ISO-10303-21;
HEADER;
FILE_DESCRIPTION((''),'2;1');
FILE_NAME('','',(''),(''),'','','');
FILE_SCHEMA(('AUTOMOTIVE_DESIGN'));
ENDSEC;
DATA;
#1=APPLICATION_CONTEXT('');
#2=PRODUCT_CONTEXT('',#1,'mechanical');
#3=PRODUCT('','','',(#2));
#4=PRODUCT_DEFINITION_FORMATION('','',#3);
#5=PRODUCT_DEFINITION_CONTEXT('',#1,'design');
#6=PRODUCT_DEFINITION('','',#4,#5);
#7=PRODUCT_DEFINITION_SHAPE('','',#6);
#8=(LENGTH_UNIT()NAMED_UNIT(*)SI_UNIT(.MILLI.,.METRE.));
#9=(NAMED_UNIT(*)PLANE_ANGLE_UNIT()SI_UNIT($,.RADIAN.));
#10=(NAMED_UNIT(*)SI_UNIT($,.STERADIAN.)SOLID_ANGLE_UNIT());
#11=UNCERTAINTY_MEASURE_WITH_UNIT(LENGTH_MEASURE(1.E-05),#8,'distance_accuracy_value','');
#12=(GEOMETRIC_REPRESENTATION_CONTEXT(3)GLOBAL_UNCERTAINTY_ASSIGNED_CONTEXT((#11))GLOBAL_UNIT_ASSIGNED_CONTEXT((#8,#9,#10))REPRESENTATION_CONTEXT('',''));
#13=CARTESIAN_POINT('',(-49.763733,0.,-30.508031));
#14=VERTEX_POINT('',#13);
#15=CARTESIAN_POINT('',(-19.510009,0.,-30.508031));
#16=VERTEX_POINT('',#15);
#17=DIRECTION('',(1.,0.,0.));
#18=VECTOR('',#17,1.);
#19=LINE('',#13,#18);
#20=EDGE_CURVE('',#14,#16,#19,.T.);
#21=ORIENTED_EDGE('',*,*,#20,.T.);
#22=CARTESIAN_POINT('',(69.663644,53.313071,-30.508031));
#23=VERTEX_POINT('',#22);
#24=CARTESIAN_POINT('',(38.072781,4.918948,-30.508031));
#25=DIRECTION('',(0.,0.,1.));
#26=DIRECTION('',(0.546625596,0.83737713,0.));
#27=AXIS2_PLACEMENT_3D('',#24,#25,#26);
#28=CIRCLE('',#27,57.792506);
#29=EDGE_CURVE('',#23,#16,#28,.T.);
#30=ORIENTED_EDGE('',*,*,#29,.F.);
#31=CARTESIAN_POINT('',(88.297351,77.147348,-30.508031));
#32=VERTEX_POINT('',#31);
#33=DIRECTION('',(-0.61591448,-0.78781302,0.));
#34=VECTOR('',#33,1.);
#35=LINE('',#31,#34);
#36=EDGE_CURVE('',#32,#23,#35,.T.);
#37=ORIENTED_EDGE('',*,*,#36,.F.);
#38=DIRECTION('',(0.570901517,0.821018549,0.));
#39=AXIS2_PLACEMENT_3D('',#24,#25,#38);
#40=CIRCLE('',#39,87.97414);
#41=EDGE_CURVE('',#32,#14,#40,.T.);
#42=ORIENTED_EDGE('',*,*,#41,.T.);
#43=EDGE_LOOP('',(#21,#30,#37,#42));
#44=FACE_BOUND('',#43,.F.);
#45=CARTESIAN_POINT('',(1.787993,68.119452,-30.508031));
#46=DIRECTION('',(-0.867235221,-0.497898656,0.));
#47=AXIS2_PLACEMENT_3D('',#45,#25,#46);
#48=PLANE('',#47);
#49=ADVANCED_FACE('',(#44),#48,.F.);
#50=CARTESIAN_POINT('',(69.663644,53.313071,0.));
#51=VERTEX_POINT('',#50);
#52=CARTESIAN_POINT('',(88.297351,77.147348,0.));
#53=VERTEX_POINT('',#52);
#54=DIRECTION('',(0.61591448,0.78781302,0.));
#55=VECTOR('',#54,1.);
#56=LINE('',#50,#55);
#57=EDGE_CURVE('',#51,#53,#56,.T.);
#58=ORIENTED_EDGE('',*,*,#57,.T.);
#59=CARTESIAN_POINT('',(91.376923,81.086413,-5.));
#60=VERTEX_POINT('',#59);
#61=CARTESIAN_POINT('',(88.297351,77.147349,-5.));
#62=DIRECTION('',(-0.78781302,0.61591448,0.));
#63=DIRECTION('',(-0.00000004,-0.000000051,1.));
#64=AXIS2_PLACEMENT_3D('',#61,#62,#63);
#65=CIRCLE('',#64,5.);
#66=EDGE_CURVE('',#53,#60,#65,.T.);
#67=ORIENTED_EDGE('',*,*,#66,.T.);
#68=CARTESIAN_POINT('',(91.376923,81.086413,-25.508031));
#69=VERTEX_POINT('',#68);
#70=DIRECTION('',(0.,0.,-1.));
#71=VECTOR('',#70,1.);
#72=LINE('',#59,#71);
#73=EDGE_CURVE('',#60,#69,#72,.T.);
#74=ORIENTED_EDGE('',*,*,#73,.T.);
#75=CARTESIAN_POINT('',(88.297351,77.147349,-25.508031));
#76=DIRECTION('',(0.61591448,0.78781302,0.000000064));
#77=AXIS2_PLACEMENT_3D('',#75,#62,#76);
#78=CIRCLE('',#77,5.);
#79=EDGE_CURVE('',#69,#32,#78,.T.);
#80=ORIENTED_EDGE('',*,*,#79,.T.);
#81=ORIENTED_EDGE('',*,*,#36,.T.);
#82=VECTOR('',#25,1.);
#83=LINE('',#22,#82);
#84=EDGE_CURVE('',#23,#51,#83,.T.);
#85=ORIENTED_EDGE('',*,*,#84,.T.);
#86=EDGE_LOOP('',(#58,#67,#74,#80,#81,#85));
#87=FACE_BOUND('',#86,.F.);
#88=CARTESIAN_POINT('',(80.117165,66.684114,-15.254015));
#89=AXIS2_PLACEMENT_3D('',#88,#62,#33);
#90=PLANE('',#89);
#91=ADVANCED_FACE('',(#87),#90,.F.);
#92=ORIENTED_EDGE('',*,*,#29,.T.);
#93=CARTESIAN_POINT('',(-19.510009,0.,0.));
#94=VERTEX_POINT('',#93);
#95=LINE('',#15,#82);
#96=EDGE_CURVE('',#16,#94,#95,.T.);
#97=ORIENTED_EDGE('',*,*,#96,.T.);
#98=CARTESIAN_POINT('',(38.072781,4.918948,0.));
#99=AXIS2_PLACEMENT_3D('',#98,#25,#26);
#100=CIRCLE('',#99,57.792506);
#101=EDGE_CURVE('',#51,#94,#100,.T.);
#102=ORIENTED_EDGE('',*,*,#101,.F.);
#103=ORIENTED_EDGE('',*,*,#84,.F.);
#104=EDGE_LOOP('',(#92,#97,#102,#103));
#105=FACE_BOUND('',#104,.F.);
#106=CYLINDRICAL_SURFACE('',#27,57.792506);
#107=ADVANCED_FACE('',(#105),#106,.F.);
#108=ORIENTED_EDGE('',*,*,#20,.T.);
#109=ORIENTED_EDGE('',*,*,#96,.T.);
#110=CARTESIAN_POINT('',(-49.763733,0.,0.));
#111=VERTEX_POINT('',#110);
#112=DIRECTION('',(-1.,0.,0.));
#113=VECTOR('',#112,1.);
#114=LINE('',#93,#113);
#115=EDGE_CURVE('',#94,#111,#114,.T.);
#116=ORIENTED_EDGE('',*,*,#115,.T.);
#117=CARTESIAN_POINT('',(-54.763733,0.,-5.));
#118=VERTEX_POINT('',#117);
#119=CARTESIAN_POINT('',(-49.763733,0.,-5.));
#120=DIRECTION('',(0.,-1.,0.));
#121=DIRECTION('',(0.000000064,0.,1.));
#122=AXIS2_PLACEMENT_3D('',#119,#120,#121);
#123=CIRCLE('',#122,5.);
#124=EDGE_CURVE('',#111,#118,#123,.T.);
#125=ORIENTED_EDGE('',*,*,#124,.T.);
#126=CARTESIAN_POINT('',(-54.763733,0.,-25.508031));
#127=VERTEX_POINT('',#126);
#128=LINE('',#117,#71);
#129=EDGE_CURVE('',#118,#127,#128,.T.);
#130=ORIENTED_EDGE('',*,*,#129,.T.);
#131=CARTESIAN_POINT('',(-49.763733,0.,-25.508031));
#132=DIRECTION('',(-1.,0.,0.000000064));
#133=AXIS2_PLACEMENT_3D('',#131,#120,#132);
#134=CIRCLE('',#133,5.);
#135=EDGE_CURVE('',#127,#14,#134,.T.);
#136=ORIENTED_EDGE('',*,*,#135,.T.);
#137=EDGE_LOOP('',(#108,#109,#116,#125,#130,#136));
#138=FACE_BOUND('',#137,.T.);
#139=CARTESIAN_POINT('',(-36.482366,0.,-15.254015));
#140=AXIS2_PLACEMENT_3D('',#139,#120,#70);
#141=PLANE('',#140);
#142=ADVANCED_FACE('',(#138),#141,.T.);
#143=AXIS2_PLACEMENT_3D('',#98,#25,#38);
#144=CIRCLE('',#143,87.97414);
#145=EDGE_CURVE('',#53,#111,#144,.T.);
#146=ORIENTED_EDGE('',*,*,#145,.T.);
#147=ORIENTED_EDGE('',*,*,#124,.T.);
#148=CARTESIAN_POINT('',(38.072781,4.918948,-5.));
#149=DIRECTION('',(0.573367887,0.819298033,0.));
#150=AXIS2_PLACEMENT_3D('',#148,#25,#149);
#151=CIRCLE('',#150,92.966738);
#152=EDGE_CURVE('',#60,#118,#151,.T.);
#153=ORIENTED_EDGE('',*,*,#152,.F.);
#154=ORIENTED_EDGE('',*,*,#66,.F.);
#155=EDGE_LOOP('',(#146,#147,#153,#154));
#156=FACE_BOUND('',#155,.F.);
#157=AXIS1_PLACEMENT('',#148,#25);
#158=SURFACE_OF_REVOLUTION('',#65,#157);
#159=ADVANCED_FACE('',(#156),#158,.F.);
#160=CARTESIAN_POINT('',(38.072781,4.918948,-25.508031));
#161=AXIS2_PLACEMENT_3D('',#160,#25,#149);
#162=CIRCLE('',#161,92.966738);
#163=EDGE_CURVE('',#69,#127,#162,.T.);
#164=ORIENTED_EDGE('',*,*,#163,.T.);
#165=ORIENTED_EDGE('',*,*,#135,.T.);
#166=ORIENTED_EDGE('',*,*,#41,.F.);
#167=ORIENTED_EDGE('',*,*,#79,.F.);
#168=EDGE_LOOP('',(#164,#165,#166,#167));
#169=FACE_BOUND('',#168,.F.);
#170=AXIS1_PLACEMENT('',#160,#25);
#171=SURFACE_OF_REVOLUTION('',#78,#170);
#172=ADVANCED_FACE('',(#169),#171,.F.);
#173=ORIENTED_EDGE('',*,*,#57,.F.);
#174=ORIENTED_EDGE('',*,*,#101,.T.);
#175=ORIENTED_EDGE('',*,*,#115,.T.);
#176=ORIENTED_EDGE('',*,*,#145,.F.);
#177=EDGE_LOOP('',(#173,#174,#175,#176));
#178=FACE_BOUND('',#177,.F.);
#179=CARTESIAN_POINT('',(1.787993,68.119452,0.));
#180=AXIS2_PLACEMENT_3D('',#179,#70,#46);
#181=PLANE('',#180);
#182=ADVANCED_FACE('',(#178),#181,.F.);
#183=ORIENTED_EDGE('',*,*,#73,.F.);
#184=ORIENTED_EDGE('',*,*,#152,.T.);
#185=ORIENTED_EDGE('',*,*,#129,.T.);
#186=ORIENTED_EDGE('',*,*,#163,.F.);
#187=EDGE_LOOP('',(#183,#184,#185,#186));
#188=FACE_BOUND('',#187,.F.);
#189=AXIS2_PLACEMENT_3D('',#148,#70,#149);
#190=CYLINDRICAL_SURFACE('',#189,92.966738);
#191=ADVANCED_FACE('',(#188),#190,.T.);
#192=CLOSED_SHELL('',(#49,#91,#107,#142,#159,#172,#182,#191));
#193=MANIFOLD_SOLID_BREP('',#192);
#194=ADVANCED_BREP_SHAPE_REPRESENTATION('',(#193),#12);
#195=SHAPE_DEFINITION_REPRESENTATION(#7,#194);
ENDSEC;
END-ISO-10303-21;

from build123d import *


with BuildPart() as f2:
    # F2: sweep along a path in F1
    with BuildLine(Plane.XY) as f2_path:
        ThreePointArc((69.70714, 53.368706), (8.386043, 54.585932), (-19.580629, 0))
    # F0 (on Front) → F2 (sweep)
    with BuildSketch(Plane.XZ):
        with BuildLine():
            Line((-19.510009, 0), (-49.763733, 0))
            ThreePointArc((-49.763733, 0), (-53.299267, -1.464466), (-54.763733, -5))
            Line((-54.763733, -5), (-54.763733, -25.508031))
            ThreePointArc((-54.763733, -25.508031), (-53.299267, -29.043565), (-49.763733, -30.508031))
            Line((-49.763733, -30.508031), (-19.510009, -30.508031))
            Line((-19.510009, -30.508031), (-19.510009, 0))
        make_face()
    sweep(path=f2_path.line)


solid = f2.part
